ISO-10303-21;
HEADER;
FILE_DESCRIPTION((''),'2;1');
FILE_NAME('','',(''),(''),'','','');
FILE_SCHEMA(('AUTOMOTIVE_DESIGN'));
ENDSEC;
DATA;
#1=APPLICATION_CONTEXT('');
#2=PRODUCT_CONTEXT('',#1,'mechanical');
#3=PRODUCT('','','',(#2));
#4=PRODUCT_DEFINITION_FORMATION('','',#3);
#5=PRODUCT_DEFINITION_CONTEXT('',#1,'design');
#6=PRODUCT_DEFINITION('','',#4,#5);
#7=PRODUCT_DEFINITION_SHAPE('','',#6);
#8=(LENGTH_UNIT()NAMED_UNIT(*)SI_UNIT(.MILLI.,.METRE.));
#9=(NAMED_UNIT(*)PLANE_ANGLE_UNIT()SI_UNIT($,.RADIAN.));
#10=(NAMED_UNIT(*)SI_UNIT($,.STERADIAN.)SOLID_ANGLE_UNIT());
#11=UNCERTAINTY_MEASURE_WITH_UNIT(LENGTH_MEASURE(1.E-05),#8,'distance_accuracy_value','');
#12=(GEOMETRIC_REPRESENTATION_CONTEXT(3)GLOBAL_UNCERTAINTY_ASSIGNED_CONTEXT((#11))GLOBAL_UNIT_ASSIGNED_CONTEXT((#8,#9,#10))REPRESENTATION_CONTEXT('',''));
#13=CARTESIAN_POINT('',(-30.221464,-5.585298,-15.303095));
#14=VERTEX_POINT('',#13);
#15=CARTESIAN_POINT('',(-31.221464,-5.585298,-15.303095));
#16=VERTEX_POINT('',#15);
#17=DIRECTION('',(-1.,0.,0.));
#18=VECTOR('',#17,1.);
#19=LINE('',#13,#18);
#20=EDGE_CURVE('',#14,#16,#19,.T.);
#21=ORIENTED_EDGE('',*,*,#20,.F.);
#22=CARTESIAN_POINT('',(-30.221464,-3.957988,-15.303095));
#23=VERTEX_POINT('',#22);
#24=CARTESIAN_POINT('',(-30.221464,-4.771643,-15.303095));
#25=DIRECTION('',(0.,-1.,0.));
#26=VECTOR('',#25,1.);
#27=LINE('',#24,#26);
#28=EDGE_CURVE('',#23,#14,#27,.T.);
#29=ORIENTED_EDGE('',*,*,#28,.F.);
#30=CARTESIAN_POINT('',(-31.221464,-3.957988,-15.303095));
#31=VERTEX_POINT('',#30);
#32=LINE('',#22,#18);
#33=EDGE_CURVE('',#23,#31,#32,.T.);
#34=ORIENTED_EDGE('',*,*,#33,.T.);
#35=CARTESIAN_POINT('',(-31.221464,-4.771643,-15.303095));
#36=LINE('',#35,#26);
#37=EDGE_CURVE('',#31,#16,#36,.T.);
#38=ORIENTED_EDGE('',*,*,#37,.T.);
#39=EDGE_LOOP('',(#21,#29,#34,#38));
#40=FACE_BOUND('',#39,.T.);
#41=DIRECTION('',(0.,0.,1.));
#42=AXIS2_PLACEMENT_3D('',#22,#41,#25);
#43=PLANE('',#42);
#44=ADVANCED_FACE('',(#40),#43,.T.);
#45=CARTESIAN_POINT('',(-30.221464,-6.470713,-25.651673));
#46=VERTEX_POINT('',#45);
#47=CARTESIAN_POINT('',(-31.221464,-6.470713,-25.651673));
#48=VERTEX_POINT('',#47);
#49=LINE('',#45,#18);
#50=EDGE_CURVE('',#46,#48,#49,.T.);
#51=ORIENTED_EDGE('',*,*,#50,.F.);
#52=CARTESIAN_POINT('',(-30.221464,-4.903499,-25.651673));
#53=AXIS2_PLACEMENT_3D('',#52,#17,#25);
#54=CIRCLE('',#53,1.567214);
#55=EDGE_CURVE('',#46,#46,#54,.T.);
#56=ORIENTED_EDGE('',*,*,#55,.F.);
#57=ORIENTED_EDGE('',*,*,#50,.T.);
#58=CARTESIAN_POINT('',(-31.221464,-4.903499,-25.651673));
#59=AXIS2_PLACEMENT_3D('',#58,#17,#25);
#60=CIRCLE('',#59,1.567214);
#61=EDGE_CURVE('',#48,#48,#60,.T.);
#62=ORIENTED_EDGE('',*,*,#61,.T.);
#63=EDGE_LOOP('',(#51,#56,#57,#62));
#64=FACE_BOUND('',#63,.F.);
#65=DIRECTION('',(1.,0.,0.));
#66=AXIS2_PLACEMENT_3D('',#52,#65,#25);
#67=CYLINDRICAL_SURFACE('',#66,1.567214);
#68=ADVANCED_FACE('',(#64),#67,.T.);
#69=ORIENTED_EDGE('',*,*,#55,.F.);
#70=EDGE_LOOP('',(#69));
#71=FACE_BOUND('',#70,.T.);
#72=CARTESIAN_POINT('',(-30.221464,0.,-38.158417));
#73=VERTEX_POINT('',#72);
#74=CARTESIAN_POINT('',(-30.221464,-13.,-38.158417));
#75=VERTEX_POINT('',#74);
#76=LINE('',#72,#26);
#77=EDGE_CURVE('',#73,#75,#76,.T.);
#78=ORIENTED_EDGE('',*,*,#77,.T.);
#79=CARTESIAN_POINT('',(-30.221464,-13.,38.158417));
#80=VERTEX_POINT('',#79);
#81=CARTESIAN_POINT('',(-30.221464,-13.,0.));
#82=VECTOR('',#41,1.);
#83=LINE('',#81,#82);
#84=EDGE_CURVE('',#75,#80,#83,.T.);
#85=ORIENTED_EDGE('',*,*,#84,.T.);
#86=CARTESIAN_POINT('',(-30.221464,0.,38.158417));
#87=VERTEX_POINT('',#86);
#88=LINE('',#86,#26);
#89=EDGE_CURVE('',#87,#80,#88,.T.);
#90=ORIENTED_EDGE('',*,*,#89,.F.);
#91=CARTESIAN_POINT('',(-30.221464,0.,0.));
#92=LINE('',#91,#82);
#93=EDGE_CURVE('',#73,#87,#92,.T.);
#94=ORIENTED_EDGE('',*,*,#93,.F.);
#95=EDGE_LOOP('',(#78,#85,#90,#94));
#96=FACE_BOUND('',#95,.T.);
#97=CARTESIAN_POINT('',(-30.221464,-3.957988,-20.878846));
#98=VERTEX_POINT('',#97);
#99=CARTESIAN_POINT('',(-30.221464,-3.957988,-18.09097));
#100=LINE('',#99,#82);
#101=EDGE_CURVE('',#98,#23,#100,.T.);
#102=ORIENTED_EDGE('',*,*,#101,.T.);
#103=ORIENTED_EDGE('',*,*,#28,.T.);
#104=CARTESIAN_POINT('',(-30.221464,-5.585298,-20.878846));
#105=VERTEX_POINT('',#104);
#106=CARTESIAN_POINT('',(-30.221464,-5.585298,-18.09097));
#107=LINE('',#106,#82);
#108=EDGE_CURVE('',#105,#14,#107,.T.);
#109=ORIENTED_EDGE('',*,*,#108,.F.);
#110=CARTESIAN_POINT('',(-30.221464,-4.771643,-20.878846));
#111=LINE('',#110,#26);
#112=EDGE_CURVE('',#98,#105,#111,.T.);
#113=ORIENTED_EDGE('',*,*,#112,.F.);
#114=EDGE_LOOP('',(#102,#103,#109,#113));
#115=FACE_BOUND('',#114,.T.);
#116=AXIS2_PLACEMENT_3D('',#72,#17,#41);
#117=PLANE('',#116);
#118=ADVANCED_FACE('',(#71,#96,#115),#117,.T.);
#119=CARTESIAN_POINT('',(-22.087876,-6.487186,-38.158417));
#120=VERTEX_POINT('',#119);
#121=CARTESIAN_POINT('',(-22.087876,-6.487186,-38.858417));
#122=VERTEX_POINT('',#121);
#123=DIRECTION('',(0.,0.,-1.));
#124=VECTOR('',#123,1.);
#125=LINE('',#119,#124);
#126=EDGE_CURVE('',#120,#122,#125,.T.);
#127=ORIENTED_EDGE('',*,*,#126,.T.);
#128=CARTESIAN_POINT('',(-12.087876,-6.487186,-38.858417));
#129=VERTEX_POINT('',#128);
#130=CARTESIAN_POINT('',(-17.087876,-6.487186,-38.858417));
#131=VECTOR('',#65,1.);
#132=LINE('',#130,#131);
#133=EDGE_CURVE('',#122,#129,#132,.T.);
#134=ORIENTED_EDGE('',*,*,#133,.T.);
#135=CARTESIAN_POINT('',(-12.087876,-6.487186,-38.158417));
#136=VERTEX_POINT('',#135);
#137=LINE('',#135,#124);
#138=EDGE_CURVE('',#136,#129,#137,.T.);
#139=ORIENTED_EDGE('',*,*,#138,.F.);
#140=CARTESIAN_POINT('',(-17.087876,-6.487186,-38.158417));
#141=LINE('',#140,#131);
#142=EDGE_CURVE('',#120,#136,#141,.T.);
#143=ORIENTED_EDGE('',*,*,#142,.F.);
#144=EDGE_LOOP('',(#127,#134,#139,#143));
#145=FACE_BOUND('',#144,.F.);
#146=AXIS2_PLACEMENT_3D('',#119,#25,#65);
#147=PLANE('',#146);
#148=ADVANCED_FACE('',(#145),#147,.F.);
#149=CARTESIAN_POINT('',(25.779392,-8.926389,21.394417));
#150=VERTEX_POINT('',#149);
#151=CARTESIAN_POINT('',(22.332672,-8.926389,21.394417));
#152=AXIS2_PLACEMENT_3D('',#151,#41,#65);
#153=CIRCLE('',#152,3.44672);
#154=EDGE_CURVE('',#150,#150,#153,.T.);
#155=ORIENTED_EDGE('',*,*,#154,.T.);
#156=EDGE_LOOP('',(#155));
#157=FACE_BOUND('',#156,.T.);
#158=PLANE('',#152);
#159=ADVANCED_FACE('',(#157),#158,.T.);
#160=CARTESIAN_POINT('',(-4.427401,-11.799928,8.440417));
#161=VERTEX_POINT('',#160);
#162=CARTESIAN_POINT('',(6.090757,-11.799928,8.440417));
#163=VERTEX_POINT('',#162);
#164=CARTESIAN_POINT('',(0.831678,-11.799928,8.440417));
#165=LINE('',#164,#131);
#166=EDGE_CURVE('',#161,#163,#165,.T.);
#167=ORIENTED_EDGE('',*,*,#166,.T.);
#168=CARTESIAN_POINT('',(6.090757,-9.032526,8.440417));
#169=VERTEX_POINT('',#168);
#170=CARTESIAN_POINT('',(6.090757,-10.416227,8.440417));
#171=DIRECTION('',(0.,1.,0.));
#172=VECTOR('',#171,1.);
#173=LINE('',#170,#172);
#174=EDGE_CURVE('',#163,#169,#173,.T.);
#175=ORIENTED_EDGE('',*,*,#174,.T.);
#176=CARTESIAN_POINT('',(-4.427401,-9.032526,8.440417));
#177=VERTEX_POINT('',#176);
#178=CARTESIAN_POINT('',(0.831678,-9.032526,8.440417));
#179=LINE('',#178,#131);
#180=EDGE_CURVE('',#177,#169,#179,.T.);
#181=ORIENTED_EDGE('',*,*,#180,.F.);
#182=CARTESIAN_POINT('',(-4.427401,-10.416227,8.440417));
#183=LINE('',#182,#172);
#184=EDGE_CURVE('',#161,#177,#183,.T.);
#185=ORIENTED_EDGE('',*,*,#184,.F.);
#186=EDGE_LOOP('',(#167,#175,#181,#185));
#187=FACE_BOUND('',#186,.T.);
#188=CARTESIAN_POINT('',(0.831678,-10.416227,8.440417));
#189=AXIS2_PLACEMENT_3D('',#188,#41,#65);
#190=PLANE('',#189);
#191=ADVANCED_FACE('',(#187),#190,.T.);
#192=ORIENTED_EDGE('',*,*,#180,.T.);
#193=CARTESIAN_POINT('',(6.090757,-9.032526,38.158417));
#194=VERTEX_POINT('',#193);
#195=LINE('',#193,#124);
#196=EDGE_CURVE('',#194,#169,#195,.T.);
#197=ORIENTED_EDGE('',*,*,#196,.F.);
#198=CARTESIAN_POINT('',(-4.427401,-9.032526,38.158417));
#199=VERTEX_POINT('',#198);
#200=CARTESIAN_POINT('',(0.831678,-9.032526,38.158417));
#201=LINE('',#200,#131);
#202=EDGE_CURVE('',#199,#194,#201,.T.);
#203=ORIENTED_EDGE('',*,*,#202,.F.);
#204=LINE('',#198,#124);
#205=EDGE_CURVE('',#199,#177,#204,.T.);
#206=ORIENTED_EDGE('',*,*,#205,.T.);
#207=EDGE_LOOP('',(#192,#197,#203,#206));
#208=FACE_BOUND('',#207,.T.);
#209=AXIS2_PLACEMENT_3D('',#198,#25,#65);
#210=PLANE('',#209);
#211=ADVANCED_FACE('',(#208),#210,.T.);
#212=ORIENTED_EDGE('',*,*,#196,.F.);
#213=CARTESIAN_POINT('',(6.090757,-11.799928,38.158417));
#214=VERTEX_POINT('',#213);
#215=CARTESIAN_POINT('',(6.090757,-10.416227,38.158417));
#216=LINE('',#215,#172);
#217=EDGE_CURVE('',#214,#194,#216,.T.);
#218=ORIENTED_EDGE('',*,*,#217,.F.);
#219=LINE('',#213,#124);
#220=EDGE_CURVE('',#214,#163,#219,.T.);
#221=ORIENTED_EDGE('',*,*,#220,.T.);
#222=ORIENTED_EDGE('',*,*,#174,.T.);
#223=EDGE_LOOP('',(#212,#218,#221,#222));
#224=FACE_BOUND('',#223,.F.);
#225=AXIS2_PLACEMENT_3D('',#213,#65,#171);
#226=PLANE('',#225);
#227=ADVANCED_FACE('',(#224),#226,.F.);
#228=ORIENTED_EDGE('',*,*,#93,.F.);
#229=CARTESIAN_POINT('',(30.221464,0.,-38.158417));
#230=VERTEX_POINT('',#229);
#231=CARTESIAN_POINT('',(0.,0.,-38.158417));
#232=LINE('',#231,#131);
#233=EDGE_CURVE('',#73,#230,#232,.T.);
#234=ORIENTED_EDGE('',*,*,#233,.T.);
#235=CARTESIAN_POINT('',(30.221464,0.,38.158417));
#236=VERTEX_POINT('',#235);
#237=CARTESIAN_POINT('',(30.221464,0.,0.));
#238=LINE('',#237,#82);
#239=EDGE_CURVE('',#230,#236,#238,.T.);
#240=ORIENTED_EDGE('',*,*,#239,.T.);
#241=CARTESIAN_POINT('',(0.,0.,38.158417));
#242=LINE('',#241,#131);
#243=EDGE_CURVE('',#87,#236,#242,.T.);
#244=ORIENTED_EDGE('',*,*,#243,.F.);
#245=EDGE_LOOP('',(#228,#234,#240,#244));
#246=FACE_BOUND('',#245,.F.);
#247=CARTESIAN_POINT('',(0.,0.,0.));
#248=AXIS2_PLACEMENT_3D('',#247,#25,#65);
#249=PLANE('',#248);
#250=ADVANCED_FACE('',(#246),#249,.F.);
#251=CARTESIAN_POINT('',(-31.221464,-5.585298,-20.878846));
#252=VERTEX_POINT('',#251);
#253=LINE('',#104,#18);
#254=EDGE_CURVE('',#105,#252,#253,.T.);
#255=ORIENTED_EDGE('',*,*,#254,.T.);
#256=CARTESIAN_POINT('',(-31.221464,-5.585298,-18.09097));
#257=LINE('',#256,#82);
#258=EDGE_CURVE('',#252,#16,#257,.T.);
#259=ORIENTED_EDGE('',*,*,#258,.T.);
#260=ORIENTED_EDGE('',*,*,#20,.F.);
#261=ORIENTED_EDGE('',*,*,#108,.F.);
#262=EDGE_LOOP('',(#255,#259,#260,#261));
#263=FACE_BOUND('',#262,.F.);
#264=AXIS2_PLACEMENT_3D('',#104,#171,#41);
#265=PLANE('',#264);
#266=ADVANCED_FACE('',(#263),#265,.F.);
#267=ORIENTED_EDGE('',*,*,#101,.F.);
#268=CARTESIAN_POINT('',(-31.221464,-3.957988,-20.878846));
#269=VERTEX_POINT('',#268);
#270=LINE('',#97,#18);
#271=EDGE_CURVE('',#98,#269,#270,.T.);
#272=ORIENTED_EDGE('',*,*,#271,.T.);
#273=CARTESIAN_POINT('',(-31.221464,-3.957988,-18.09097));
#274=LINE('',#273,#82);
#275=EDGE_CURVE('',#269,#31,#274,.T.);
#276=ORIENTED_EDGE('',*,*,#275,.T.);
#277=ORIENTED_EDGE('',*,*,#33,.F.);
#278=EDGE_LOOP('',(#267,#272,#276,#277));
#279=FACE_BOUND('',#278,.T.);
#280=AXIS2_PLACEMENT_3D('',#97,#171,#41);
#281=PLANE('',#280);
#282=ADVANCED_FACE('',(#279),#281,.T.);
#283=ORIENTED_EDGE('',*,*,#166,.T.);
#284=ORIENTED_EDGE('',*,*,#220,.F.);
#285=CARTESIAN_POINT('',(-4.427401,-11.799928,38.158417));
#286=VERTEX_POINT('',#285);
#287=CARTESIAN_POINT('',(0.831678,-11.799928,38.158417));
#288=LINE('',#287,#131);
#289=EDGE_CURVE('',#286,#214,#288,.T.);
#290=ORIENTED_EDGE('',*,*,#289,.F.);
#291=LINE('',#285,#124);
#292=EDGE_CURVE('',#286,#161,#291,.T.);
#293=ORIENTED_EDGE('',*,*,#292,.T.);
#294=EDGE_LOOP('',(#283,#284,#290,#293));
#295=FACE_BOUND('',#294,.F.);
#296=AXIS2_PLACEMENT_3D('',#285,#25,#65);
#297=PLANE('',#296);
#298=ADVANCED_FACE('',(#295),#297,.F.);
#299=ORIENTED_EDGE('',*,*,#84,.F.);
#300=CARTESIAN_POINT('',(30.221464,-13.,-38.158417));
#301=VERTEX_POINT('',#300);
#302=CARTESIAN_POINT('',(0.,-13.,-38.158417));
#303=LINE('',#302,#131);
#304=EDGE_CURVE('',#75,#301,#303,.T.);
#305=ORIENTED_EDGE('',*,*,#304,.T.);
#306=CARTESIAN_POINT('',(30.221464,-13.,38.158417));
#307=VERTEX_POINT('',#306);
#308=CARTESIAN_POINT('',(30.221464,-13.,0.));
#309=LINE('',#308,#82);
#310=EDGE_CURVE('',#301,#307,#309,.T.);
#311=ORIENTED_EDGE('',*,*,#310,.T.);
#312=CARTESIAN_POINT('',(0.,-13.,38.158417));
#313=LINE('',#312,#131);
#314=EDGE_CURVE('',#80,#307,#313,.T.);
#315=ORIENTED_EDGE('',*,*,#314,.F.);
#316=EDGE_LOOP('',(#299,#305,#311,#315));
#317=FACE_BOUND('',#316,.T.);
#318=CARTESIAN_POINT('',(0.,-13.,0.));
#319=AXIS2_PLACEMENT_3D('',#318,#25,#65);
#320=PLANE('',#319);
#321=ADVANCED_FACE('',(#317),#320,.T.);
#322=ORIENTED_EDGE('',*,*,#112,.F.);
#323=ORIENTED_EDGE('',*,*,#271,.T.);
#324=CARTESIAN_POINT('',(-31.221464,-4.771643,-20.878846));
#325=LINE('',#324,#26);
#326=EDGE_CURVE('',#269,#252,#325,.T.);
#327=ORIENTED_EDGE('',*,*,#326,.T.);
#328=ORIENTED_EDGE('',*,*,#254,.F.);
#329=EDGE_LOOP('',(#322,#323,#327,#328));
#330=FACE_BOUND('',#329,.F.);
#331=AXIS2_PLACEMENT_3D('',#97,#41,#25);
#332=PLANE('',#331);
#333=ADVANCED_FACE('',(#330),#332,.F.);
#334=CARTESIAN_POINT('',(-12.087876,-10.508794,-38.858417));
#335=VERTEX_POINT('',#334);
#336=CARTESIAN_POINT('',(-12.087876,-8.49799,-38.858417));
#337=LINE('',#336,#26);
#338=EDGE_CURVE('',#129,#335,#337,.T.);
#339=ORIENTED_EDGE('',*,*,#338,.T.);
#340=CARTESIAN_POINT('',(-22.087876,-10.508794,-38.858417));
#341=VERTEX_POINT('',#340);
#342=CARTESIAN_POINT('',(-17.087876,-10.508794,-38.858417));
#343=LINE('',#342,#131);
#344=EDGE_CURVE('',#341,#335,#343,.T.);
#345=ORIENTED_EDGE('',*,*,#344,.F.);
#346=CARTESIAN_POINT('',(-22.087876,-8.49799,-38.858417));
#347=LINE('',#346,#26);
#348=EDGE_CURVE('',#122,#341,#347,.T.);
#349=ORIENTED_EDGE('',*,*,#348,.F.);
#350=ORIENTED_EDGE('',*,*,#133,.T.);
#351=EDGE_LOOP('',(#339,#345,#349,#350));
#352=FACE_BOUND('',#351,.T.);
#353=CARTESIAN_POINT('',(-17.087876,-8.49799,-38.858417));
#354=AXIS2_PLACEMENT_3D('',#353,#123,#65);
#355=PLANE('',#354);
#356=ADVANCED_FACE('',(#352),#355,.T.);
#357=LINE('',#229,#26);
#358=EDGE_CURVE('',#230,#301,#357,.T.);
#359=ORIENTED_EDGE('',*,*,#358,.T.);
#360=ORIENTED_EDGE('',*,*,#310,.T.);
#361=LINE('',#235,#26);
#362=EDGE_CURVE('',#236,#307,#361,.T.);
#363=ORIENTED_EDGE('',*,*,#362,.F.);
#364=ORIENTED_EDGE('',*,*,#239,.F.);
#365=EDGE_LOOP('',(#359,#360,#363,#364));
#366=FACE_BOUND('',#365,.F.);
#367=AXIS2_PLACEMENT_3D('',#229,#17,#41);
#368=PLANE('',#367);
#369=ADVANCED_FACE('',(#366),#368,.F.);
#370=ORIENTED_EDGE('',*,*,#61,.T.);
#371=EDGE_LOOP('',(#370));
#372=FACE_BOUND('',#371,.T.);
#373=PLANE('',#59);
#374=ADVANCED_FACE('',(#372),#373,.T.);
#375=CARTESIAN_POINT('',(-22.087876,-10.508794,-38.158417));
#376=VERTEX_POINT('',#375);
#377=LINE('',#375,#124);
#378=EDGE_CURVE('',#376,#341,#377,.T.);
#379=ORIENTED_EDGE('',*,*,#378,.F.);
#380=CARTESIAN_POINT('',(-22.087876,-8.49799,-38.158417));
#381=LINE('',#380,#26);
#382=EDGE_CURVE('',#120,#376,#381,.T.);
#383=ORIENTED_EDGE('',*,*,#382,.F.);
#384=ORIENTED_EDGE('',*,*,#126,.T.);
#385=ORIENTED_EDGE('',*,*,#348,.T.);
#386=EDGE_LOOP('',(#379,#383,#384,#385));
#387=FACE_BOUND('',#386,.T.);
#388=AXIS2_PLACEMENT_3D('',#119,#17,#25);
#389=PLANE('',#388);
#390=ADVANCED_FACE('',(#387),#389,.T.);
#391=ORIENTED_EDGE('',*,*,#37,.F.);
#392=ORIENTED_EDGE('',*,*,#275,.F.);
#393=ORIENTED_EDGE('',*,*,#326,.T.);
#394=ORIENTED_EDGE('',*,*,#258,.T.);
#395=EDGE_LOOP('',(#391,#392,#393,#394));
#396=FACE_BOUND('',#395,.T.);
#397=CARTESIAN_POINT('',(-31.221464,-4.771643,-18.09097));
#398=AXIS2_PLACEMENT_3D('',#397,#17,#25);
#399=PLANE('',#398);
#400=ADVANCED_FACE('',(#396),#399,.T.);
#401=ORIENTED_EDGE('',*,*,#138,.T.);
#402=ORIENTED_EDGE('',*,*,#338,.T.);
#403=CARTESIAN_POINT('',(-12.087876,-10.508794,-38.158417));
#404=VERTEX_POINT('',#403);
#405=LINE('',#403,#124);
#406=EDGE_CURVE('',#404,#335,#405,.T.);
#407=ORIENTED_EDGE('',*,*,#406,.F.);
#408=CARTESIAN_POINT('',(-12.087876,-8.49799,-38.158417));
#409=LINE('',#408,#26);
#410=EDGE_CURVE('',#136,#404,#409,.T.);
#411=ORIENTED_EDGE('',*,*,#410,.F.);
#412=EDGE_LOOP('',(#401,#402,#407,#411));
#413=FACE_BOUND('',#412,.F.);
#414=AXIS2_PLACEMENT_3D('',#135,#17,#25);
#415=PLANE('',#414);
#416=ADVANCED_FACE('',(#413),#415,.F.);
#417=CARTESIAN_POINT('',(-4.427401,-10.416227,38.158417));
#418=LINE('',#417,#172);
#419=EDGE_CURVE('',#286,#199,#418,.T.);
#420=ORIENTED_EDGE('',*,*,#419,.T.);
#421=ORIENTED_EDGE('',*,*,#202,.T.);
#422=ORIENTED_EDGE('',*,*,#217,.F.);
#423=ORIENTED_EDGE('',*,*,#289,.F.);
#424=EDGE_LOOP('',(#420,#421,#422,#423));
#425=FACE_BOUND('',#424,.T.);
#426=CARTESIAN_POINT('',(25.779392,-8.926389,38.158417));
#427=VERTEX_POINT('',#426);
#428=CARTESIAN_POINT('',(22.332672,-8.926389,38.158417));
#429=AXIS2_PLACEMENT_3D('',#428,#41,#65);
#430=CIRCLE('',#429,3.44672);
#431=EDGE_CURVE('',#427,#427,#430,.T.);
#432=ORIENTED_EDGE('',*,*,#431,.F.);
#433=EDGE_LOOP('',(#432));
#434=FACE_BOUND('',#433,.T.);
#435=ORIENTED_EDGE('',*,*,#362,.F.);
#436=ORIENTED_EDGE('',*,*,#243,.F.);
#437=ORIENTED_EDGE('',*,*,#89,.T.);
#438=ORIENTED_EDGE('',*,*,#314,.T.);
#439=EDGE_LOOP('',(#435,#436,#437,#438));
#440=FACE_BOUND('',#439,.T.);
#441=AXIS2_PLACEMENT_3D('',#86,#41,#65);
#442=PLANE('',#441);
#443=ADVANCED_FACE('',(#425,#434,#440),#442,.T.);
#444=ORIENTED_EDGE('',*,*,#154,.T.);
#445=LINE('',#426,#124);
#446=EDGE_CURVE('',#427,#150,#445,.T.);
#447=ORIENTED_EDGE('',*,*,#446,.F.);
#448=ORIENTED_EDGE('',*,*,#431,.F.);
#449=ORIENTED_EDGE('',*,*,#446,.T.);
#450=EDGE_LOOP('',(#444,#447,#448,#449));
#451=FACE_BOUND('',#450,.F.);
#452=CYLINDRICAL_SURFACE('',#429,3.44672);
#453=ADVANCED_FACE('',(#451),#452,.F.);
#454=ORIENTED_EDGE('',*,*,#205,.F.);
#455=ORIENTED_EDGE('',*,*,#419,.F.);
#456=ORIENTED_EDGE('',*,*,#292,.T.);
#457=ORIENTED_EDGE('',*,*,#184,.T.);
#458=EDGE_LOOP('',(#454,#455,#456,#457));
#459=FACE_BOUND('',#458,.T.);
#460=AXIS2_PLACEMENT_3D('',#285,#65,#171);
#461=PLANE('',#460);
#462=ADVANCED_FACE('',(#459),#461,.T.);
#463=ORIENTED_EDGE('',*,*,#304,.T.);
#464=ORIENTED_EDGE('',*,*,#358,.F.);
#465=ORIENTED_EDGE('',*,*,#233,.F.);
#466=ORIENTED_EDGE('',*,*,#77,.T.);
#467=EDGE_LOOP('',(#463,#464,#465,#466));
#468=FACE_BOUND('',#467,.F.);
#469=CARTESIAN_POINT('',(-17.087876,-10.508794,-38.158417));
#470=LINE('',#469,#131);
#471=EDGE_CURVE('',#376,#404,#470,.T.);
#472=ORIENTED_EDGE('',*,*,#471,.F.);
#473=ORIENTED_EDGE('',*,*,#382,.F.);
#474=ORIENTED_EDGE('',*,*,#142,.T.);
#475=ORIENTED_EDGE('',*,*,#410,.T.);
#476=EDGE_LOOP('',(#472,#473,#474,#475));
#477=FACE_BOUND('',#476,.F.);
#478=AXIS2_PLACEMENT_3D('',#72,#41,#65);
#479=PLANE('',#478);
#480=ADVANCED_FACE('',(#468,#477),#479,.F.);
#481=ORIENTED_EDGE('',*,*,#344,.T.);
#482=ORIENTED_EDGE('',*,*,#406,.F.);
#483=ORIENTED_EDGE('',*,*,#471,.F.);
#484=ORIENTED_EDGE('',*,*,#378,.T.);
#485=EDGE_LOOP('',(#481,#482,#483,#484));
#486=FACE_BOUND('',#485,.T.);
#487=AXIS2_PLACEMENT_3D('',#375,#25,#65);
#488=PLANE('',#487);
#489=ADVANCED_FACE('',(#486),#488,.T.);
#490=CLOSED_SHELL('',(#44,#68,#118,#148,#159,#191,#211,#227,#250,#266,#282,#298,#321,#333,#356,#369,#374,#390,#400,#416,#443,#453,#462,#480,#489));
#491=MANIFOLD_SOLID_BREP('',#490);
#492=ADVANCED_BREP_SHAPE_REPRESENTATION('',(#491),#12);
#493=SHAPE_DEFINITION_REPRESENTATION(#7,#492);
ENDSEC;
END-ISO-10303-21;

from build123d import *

# Parameters (mm, degrees)
F0_W      = 60.442928
F0_H      = 76.316834
F1_DEPTH  = 13
F2_R      = 4.501425
F3_DEPTH  = 7.874
F4_R      = 3.44672
F5_DEPTH  = 16.764
F6_W      = 10
F6_H      = 4.021608
F7_DEPTH  = 0.7
F8_W      = 12.088504
F8_H      = 2.308511
F9_DEPTH  = 7.874
F10_W     = 10
F10_H     = 2.673487
F11_DEPTH = 8.636
F12_W     = 10.518157
F12_H     = 2.767401
F13_DEPTH = 29.718
F14_R     = 1.567214
F15_DEPTH = 1
F16_W     = 1.627309
F16_H     = 5.575751
F17_DEPTH = 1


with BuildPart() as f1:
    # F0 (on Front) → F1 (new body)
    with BuildSketch(Plane.XZ):
        Rectangle(F0_W, F0_H)
    extrude(amount=F1_DEPTH)

    # F2 (on face) → F3 (cut)
    with BuildSketch(Plane(origin=(0, 0, 0), x_dir=(-1, 0, 0), z_dir=(0, 1, 0))):
        with Locations((-20.47102, 49.871981)):
            Circle(F2_R)
    extrude(amount=F3_DEPTH, mode=Mode.SUBTRACT)

    # F4 (on face) → F5 (cut)
    with BuildSketch(Plane.XY.offset(38.158417)):
        with Locations((22.332672, -8.926389)):
            Circle(F4_R)
    extrude(amount=-F5_DEPTH, mode=Mode.SUBTRACT)

    # F6 (on face) → F7 (join)
    with BuildSketch(Plane(origin=(0, 0, -38.158417), x_dir=(1, 0, 0), z_dir=(0, 0, -1))):
        with Locations((-17.087876, 8.49799)):
            Rectangle(F6_W, F6_H)
    extrude(amount=F7_DEPTH)

    # F8 (on face) → F9 (join)
    with BuildSketch(Plane.XY.offset(38.158417)):
        with Locations((0.475428, -10.475016)):
            Rectangle(F8_W, F8_H)
    extrude(amount=-F9_DEPTH)

    # F10 (on face) → F11 (join)
    with BuildSketch(Plane.XY.offset(38.158417)):
        with Locations((-1.288279, -8.985477)):
            Rectangle(F10_W, F10_H)
    extrude(amount=-F11_DEPTH)

    # F12 (on face) → F13 (cut)
    with BuildSketch(Plane.XY.offset(38.158417)):
        with Locations((0.831678, -10.416227)):
            Rectangle(F12_W, F12_H)
    extrude(amount=-F13_DEPTH, mode=Mode.SUBTRACT)

    # F14 (on face) → F15 (join)
    with BuildSketch(Plane(origin=(-30.221464, 0, 0), x_dir=(0, -1, 0), z_dir=(-1, 0, 0))):
        with Locations((4.903499, -25.651673)):
            Circle(F14_R)
    extrude(amount=F15_DEPTH)

    # F16 (on face) → F17 (join)
    with BuildSketch(Plane(origin=(-30.221464, 0, 0), x_dir=(0, -1, 0), z_dir=(-1, 0, 0))):
        with Locations((4.771643, -18.09097)):
            Rectangle(F16_W, F16_H)
    extrude(amount=F17_DEPTH)


solid = f1.part
